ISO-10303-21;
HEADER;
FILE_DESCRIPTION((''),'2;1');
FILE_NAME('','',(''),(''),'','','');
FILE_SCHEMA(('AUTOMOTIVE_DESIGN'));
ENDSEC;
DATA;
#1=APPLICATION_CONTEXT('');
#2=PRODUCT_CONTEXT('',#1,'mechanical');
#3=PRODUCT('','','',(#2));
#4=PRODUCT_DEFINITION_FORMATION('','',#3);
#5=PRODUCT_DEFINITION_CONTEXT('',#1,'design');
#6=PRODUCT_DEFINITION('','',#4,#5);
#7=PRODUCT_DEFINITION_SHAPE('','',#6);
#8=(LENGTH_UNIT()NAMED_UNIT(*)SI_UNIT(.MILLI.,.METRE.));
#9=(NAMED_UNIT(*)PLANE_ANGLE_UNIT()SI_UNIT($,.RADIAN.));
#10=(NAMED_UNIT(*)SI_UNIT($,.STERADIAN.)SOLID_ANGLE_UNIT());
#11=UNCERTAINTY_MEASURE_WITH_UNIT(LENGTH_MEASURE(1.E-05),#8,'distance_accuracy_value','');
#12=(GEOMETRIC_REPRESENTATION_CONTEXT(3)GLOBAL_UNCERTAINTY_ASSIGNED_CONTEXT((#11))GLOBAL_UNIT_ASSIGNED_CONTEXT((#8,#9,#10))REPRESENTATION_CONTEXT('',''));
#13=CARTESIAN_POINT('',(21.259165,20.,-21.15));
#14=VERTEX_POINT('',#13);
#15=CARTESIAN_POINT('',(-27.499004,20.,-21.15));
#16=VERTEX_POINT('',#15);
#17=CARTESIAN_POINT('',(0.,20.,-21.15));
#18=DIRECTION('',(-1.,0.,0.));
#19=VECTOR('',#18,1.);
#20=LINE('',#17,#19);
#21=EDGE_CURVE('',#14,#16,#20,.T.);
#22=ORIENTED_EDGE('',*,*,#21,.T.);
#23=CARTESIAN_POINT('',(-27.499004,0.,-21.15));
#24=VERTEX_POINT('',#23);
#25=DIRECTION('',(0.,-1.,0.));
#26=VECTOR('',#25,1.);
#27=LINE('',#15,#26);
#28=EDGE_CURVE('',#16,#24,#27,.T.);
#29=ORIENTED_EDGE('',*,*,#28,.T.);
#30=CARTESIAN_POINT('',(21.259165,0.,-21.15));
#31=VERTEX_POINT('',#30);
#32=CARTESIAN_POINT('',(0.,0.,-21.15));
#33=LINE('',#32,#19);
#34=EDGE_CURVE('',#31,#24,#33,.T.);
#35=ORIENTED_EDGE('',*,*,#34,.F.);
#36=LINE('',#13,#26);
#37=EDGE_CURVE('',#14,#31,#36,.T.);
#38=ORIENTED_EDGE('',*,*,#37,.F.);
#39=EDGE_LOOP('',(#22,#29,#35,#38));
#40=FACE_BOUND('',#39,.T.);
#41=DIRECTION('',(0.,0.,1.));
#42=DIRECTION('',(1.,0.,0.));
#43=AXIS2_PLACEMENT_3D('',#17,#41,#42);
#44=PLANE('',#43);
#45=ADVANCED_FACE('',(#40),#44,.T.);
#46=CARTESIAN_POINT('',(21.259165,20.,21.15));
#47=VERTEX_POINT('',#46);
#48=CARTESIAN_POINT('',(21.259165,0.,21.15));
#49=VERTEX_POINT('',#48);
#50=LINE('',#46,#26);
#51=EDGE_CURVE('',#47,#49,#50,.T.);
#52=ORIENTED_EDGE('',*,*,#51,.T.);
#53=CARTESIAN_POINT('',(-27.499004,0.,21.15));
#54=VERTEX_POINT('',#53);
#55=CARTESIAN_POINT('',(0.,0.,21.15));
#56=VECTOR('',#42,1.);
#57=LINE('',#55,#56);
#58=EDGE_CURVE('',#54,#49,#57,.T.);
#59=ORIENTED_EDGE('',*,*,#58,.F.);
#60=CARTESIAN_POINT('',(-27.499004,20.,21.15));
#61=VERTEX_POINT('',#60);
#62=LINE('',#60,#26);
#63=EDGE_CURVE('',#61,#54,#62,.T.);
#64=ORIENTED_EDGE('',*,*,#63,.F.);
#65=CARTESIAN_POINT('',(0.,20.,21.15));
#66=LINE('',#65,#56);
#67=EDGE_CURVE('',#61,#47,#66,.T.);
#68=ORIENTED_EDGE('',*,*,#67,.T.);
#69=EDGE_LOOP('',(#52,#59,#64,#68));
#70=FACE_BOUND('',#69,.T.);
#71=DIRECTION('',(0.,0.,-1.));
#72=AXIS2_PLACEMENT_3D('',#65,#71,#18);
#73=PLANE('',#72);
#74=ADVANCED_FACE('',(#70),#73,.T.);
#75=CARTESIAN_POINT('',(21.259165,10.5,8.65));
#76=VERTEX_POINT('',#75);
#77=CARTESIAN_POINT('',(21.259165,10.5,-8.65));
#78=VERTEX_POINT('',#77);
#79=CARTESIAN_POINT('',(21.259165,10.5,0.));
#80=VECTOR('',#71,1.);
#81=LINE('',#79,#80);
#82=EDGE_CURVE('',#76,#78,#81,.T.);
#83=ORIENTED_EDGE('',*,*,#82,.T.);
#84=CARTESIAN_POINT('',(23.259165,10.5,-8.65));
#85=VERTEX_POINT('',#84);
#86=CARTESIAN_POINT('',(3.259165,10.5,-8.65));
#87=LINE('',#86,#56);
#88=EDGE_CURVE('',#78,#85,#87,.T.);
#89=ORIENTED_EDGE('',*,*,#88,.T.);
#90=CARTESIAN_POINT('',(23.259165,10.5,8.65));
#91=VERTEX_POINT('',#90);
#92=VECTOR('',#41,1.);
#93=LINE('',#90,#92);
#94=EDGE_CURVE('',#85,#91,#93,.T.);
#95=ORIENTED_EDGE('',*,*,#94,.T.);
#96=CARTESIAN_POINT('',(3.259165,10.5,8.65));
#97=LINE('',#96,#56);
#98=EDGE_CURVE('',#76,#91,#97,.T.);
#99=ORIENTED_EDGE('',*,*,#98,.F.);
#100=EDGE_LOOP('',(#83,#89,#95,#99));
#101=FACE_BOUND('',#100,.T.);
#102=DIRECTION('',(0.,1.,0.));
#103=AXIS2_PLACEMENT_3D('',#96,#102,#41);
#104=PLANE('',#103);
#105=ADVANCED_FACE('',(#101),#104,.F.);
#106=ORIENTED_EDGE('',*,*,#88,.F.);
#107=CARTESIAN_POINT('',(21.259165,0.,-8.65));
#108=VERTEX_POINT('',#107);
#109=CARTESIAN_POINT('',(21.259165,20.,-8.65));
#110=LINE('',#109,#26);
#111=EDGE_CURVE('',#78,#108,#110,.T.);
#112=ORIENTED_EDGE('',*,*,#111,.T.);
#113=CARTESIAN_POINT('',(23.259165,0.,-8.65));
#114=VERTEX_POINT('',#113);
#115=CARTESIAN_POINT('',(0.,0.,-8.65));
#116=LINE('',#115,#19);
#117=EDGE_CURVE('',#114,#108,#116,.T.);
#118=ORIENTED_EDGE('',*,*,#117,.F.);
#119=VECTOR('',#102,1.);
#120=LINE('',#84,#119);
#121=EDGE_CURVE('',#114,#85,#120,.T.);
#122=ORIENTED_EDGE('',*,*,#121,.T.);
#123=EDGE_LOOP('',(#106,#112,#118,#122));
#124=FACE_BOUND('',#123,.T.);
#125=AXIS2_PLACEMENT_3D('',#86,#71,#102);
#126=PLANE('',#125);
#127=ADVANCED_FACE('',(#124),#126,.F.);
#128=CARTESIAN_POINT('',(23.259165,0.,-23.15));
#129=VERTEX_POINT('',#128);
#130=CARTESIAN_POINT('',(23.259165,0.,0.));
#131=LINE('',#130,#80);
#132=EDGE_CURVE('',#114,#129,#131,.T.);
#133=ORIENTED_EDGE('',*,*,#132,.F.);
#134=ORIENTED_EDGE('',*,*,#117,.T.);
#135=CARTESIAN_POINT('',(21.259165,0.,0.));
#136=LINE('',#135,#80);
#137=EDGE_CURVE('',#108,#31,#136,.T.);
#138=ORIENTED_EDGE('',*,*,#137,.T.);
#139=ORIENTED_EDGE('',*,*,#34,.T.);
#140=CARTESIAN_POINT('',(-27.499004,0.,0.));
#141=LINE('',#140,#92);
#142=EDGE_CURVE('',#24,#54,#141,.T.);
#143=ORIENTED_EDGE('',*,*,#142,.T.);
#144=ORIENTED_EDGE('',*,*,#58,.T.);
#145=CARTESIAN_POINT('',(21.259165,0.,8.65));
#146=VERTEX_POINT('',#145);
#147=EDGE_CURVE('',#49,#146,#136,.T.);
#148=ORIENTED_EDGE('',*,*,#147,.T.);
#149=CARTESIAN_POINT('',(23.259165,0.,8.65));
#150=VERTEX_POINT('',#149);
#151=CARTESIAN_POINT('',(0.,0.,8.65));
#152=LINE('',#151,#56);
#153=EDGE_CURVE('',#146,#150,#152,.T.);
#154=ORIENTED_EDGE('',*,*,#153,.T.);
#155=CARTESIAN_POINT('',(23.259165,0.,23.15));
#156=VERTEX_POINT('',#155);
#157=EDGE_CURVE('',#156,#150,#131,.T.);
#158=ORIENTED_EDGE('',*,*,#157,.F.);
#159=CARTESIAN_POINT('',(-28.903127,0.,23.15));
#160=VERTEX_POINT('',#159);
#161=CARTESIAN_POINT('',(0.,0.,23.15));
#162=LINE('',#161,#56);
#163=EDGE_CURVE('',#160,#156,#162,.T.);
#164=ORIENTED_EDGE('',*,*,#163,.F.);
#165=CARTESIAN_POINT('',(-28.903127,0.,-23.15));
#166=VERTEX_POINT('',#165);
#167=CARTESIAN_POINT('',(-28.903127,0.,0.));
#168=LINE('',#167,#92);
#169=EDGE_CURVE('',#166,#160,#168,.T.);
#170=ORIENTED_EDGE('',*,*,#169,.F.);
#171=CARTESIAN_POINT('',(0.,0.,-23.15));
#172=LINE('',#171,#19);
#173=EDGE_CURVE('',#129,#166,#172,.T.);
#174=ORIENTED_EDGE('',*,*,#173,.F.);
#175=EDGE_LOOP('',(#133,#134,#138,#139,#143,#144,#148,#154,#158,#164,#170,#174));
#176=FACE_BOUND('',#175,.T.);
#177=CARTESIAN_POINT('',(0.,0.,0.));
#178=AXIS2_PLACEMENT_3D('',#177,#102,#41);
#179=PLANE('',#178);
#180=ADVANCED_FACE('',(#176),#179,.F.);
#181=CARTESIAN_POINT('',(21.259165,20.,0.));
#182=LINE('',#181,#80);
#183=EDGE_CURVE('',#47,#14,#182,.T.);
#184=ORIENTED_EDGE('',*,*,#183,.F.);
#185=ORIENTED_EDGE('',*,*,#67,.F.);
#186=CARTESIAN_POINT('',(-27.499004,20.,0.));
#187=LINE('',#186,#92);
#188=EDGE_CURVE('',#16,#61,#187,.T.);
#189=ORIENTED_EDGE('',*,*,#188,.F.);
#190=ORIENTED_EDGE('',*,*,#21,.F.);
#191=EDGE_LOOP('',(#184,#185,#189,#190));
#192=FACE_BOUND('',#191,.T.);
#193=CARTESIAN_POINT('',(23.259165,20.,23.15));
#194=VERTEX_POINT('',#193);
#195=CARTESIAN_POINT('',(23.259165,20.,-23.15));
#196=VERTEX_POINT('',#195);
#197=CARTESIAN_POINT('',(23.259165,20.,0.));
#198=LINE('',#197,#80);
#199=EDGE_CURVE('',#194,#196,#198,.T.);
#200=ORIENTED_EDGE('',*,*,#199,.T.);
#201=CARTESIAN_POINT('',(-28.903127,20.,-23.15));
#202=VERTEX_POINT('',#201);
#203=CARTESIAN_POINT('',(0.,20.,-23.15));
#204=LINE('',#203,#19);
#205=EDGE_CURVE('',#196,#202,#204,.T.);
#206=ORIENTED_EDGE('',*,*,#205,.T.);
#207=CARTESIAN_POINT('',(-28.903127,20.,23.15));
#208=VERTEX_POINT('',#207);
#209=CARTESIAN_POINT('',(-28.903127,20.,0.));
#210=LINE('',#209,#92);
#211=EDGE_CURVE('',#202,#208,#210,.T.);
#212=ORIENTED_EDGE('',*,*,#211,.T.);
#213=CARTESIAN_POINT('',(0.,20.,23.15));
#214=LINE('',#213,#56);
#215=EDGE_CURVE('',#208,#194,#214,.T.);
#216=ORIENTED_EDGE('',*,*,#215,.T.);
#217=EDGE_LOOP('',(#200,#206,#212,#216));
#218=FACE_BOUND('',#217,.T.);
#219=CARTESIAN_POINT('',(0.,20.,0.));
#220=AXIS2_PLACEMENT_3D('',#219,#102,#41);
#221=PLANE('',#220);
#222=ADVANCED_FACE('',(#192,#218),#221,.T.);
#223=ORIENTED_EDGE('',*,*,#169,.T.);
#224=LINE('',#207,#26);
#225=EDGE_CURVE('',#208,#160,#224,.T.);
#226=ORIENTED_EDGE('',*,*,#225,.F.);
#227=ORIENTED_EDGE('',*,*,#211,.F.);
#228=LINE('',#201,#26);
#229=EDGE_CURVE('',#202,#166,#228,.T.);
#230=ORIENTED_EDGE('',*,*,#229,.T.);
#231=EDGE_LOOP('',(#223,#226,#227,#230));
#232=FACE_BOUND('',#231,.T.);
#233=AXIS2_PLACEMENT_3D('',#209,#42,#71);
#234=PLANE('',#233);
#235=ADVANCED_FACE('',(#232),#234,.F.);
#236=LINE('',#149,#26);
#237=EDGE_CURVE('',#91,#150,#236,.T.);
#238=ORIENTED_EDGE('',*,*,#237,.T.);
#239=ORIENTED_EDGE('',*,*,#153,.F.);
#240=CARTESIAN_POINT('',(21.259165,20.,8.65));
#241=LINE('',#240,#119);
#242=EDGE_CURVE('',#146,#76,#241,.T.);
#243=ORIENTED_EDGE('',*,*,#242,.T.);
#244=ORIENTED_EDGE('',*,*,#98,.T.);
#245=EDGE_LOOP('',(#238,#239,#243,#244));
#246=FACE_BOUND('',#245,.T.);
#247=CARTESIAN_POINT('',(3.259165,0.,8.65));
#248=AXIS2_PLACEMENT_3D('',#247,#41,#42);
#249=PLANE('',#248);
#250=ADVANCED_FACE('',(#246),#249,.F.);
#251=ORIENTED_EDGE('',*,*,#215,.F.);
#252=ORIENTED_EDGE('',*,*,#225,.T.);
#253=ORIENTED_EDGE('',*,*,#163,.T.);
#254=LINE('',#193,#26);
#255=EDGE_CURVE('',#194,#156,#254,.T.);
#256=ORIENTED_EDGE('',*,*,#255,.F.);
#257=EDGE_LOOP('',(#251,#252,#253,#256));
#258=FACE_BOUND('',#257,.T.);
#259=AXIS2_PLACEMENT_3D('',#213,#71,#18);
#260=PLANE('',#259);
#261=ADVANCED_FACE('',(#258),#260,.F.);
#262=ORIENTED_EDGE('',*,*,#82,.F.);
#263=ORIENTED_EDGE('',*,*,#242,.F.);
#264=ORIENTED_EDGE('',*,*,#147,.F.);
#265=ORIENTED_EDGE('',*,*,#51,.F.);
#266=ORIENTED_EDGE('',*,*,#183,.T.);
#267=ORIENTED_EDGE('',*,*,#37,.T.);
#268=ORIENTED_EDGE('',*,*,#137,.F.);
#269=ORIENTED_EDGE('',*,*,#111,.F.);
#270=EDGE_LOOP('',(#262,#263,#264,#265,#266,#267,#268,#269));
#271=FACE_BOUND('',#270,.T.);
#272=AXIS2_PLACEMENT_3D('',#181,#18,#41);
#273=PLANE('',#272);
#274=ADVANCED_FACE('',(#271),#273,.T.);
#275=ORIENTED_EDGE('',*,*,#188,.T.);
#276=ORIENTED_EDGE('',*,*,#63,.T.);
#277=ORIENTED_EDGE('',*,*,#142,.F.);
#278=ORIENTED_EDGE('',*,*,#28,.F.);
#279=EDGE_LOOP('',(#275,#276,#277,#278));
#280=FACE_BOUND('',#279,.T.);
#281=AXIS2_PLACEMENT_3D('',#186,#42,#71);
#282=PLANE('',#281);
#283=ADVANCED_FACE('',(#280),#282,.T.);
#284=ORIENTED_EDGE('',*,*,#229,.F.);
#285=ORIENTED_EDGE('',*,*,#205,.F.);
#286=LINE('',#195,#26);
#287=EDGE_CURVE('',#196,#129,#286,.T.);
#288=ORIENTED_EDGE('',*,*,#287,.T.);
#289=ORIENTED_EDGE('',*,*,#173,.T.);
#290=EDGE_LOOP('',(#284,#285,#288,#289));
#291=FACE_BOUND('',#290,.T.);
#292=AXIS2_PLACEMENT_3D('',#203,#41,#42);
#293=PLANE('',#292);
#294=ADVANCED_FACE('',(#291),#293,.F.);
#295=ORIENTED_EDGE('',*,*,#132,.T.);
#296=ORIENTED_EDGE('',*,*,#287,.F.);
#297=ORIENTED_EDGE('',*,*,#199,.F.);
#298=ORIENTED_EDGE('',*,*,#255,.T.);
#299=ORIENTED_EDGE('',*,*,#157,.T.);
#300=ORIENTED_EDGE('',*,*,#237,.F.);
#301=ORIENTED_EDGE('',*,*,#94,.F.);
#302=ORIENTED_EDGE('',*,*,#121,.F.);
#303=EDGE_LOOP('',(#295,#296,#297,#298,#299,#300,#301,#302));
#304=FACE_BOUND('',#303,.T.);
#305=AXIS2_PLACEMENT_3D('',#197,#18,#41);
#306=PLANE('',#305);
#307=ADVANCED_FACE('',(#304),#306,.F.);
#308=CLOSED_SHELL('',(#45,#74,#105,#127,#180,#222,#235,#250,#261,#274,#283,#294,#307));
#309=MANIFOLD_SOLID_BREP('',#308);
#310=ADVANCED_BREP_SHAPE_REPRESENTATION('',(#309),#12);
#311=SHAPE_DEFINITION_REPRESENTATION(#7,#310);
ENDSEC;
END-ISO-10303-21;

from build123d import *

# Parameters (mm, degrees)
CROQUIS1_W              = 52.162291224
CROQUIS1_H              = 46.3
CROQUIS1_W_2            = 48.758168483
CROQUIS1_H_2            = 42.3
SALIENTE_EXTRUIR1_DEPTH = 20
CROQUIS2_W              = 17.3
CROQUIS2_H              = 10.5
CORTAR_EXTRUIR1_DEPTH   = 20


with BuildPart() as part:
    # Croquis1 → Saliente-Extruir1 (new body)
    with BuildSketch(Plane(origin=(0, 0, 0), x_dir=(1, 0, 0), z_dir=(0, 1, 0))):
        with Locations((-2.82198106, 0)):
            Rectangle(CROQUIS1_W, CROQUIS1_H)
        with Locations((-3.119919689, 0)):
            Rectangle(CROQUIS1_W_2, CROQUIS1_H_2, mode=Mode.SUBTRACT)
    extrude(amount=SALIENTE_EXTRUIR1_DEPTH)

    # Croquis2 → Cortar-Extruir1 (cut)
    with BuildSketch(Plane(origin=(23.259164552, 0, 0), x_dir=(0, 0, -1), z_dir=(1, 0, 0))):
        with Locations((0, 5.25)):
            Rectangle(CROQUIS2_W, CROQUIS2_H)
    extrude(amount=-CORTAR_EXTRUIR1_DEPTH, mode=Mode.SUBTRACT)


solid = part.part
